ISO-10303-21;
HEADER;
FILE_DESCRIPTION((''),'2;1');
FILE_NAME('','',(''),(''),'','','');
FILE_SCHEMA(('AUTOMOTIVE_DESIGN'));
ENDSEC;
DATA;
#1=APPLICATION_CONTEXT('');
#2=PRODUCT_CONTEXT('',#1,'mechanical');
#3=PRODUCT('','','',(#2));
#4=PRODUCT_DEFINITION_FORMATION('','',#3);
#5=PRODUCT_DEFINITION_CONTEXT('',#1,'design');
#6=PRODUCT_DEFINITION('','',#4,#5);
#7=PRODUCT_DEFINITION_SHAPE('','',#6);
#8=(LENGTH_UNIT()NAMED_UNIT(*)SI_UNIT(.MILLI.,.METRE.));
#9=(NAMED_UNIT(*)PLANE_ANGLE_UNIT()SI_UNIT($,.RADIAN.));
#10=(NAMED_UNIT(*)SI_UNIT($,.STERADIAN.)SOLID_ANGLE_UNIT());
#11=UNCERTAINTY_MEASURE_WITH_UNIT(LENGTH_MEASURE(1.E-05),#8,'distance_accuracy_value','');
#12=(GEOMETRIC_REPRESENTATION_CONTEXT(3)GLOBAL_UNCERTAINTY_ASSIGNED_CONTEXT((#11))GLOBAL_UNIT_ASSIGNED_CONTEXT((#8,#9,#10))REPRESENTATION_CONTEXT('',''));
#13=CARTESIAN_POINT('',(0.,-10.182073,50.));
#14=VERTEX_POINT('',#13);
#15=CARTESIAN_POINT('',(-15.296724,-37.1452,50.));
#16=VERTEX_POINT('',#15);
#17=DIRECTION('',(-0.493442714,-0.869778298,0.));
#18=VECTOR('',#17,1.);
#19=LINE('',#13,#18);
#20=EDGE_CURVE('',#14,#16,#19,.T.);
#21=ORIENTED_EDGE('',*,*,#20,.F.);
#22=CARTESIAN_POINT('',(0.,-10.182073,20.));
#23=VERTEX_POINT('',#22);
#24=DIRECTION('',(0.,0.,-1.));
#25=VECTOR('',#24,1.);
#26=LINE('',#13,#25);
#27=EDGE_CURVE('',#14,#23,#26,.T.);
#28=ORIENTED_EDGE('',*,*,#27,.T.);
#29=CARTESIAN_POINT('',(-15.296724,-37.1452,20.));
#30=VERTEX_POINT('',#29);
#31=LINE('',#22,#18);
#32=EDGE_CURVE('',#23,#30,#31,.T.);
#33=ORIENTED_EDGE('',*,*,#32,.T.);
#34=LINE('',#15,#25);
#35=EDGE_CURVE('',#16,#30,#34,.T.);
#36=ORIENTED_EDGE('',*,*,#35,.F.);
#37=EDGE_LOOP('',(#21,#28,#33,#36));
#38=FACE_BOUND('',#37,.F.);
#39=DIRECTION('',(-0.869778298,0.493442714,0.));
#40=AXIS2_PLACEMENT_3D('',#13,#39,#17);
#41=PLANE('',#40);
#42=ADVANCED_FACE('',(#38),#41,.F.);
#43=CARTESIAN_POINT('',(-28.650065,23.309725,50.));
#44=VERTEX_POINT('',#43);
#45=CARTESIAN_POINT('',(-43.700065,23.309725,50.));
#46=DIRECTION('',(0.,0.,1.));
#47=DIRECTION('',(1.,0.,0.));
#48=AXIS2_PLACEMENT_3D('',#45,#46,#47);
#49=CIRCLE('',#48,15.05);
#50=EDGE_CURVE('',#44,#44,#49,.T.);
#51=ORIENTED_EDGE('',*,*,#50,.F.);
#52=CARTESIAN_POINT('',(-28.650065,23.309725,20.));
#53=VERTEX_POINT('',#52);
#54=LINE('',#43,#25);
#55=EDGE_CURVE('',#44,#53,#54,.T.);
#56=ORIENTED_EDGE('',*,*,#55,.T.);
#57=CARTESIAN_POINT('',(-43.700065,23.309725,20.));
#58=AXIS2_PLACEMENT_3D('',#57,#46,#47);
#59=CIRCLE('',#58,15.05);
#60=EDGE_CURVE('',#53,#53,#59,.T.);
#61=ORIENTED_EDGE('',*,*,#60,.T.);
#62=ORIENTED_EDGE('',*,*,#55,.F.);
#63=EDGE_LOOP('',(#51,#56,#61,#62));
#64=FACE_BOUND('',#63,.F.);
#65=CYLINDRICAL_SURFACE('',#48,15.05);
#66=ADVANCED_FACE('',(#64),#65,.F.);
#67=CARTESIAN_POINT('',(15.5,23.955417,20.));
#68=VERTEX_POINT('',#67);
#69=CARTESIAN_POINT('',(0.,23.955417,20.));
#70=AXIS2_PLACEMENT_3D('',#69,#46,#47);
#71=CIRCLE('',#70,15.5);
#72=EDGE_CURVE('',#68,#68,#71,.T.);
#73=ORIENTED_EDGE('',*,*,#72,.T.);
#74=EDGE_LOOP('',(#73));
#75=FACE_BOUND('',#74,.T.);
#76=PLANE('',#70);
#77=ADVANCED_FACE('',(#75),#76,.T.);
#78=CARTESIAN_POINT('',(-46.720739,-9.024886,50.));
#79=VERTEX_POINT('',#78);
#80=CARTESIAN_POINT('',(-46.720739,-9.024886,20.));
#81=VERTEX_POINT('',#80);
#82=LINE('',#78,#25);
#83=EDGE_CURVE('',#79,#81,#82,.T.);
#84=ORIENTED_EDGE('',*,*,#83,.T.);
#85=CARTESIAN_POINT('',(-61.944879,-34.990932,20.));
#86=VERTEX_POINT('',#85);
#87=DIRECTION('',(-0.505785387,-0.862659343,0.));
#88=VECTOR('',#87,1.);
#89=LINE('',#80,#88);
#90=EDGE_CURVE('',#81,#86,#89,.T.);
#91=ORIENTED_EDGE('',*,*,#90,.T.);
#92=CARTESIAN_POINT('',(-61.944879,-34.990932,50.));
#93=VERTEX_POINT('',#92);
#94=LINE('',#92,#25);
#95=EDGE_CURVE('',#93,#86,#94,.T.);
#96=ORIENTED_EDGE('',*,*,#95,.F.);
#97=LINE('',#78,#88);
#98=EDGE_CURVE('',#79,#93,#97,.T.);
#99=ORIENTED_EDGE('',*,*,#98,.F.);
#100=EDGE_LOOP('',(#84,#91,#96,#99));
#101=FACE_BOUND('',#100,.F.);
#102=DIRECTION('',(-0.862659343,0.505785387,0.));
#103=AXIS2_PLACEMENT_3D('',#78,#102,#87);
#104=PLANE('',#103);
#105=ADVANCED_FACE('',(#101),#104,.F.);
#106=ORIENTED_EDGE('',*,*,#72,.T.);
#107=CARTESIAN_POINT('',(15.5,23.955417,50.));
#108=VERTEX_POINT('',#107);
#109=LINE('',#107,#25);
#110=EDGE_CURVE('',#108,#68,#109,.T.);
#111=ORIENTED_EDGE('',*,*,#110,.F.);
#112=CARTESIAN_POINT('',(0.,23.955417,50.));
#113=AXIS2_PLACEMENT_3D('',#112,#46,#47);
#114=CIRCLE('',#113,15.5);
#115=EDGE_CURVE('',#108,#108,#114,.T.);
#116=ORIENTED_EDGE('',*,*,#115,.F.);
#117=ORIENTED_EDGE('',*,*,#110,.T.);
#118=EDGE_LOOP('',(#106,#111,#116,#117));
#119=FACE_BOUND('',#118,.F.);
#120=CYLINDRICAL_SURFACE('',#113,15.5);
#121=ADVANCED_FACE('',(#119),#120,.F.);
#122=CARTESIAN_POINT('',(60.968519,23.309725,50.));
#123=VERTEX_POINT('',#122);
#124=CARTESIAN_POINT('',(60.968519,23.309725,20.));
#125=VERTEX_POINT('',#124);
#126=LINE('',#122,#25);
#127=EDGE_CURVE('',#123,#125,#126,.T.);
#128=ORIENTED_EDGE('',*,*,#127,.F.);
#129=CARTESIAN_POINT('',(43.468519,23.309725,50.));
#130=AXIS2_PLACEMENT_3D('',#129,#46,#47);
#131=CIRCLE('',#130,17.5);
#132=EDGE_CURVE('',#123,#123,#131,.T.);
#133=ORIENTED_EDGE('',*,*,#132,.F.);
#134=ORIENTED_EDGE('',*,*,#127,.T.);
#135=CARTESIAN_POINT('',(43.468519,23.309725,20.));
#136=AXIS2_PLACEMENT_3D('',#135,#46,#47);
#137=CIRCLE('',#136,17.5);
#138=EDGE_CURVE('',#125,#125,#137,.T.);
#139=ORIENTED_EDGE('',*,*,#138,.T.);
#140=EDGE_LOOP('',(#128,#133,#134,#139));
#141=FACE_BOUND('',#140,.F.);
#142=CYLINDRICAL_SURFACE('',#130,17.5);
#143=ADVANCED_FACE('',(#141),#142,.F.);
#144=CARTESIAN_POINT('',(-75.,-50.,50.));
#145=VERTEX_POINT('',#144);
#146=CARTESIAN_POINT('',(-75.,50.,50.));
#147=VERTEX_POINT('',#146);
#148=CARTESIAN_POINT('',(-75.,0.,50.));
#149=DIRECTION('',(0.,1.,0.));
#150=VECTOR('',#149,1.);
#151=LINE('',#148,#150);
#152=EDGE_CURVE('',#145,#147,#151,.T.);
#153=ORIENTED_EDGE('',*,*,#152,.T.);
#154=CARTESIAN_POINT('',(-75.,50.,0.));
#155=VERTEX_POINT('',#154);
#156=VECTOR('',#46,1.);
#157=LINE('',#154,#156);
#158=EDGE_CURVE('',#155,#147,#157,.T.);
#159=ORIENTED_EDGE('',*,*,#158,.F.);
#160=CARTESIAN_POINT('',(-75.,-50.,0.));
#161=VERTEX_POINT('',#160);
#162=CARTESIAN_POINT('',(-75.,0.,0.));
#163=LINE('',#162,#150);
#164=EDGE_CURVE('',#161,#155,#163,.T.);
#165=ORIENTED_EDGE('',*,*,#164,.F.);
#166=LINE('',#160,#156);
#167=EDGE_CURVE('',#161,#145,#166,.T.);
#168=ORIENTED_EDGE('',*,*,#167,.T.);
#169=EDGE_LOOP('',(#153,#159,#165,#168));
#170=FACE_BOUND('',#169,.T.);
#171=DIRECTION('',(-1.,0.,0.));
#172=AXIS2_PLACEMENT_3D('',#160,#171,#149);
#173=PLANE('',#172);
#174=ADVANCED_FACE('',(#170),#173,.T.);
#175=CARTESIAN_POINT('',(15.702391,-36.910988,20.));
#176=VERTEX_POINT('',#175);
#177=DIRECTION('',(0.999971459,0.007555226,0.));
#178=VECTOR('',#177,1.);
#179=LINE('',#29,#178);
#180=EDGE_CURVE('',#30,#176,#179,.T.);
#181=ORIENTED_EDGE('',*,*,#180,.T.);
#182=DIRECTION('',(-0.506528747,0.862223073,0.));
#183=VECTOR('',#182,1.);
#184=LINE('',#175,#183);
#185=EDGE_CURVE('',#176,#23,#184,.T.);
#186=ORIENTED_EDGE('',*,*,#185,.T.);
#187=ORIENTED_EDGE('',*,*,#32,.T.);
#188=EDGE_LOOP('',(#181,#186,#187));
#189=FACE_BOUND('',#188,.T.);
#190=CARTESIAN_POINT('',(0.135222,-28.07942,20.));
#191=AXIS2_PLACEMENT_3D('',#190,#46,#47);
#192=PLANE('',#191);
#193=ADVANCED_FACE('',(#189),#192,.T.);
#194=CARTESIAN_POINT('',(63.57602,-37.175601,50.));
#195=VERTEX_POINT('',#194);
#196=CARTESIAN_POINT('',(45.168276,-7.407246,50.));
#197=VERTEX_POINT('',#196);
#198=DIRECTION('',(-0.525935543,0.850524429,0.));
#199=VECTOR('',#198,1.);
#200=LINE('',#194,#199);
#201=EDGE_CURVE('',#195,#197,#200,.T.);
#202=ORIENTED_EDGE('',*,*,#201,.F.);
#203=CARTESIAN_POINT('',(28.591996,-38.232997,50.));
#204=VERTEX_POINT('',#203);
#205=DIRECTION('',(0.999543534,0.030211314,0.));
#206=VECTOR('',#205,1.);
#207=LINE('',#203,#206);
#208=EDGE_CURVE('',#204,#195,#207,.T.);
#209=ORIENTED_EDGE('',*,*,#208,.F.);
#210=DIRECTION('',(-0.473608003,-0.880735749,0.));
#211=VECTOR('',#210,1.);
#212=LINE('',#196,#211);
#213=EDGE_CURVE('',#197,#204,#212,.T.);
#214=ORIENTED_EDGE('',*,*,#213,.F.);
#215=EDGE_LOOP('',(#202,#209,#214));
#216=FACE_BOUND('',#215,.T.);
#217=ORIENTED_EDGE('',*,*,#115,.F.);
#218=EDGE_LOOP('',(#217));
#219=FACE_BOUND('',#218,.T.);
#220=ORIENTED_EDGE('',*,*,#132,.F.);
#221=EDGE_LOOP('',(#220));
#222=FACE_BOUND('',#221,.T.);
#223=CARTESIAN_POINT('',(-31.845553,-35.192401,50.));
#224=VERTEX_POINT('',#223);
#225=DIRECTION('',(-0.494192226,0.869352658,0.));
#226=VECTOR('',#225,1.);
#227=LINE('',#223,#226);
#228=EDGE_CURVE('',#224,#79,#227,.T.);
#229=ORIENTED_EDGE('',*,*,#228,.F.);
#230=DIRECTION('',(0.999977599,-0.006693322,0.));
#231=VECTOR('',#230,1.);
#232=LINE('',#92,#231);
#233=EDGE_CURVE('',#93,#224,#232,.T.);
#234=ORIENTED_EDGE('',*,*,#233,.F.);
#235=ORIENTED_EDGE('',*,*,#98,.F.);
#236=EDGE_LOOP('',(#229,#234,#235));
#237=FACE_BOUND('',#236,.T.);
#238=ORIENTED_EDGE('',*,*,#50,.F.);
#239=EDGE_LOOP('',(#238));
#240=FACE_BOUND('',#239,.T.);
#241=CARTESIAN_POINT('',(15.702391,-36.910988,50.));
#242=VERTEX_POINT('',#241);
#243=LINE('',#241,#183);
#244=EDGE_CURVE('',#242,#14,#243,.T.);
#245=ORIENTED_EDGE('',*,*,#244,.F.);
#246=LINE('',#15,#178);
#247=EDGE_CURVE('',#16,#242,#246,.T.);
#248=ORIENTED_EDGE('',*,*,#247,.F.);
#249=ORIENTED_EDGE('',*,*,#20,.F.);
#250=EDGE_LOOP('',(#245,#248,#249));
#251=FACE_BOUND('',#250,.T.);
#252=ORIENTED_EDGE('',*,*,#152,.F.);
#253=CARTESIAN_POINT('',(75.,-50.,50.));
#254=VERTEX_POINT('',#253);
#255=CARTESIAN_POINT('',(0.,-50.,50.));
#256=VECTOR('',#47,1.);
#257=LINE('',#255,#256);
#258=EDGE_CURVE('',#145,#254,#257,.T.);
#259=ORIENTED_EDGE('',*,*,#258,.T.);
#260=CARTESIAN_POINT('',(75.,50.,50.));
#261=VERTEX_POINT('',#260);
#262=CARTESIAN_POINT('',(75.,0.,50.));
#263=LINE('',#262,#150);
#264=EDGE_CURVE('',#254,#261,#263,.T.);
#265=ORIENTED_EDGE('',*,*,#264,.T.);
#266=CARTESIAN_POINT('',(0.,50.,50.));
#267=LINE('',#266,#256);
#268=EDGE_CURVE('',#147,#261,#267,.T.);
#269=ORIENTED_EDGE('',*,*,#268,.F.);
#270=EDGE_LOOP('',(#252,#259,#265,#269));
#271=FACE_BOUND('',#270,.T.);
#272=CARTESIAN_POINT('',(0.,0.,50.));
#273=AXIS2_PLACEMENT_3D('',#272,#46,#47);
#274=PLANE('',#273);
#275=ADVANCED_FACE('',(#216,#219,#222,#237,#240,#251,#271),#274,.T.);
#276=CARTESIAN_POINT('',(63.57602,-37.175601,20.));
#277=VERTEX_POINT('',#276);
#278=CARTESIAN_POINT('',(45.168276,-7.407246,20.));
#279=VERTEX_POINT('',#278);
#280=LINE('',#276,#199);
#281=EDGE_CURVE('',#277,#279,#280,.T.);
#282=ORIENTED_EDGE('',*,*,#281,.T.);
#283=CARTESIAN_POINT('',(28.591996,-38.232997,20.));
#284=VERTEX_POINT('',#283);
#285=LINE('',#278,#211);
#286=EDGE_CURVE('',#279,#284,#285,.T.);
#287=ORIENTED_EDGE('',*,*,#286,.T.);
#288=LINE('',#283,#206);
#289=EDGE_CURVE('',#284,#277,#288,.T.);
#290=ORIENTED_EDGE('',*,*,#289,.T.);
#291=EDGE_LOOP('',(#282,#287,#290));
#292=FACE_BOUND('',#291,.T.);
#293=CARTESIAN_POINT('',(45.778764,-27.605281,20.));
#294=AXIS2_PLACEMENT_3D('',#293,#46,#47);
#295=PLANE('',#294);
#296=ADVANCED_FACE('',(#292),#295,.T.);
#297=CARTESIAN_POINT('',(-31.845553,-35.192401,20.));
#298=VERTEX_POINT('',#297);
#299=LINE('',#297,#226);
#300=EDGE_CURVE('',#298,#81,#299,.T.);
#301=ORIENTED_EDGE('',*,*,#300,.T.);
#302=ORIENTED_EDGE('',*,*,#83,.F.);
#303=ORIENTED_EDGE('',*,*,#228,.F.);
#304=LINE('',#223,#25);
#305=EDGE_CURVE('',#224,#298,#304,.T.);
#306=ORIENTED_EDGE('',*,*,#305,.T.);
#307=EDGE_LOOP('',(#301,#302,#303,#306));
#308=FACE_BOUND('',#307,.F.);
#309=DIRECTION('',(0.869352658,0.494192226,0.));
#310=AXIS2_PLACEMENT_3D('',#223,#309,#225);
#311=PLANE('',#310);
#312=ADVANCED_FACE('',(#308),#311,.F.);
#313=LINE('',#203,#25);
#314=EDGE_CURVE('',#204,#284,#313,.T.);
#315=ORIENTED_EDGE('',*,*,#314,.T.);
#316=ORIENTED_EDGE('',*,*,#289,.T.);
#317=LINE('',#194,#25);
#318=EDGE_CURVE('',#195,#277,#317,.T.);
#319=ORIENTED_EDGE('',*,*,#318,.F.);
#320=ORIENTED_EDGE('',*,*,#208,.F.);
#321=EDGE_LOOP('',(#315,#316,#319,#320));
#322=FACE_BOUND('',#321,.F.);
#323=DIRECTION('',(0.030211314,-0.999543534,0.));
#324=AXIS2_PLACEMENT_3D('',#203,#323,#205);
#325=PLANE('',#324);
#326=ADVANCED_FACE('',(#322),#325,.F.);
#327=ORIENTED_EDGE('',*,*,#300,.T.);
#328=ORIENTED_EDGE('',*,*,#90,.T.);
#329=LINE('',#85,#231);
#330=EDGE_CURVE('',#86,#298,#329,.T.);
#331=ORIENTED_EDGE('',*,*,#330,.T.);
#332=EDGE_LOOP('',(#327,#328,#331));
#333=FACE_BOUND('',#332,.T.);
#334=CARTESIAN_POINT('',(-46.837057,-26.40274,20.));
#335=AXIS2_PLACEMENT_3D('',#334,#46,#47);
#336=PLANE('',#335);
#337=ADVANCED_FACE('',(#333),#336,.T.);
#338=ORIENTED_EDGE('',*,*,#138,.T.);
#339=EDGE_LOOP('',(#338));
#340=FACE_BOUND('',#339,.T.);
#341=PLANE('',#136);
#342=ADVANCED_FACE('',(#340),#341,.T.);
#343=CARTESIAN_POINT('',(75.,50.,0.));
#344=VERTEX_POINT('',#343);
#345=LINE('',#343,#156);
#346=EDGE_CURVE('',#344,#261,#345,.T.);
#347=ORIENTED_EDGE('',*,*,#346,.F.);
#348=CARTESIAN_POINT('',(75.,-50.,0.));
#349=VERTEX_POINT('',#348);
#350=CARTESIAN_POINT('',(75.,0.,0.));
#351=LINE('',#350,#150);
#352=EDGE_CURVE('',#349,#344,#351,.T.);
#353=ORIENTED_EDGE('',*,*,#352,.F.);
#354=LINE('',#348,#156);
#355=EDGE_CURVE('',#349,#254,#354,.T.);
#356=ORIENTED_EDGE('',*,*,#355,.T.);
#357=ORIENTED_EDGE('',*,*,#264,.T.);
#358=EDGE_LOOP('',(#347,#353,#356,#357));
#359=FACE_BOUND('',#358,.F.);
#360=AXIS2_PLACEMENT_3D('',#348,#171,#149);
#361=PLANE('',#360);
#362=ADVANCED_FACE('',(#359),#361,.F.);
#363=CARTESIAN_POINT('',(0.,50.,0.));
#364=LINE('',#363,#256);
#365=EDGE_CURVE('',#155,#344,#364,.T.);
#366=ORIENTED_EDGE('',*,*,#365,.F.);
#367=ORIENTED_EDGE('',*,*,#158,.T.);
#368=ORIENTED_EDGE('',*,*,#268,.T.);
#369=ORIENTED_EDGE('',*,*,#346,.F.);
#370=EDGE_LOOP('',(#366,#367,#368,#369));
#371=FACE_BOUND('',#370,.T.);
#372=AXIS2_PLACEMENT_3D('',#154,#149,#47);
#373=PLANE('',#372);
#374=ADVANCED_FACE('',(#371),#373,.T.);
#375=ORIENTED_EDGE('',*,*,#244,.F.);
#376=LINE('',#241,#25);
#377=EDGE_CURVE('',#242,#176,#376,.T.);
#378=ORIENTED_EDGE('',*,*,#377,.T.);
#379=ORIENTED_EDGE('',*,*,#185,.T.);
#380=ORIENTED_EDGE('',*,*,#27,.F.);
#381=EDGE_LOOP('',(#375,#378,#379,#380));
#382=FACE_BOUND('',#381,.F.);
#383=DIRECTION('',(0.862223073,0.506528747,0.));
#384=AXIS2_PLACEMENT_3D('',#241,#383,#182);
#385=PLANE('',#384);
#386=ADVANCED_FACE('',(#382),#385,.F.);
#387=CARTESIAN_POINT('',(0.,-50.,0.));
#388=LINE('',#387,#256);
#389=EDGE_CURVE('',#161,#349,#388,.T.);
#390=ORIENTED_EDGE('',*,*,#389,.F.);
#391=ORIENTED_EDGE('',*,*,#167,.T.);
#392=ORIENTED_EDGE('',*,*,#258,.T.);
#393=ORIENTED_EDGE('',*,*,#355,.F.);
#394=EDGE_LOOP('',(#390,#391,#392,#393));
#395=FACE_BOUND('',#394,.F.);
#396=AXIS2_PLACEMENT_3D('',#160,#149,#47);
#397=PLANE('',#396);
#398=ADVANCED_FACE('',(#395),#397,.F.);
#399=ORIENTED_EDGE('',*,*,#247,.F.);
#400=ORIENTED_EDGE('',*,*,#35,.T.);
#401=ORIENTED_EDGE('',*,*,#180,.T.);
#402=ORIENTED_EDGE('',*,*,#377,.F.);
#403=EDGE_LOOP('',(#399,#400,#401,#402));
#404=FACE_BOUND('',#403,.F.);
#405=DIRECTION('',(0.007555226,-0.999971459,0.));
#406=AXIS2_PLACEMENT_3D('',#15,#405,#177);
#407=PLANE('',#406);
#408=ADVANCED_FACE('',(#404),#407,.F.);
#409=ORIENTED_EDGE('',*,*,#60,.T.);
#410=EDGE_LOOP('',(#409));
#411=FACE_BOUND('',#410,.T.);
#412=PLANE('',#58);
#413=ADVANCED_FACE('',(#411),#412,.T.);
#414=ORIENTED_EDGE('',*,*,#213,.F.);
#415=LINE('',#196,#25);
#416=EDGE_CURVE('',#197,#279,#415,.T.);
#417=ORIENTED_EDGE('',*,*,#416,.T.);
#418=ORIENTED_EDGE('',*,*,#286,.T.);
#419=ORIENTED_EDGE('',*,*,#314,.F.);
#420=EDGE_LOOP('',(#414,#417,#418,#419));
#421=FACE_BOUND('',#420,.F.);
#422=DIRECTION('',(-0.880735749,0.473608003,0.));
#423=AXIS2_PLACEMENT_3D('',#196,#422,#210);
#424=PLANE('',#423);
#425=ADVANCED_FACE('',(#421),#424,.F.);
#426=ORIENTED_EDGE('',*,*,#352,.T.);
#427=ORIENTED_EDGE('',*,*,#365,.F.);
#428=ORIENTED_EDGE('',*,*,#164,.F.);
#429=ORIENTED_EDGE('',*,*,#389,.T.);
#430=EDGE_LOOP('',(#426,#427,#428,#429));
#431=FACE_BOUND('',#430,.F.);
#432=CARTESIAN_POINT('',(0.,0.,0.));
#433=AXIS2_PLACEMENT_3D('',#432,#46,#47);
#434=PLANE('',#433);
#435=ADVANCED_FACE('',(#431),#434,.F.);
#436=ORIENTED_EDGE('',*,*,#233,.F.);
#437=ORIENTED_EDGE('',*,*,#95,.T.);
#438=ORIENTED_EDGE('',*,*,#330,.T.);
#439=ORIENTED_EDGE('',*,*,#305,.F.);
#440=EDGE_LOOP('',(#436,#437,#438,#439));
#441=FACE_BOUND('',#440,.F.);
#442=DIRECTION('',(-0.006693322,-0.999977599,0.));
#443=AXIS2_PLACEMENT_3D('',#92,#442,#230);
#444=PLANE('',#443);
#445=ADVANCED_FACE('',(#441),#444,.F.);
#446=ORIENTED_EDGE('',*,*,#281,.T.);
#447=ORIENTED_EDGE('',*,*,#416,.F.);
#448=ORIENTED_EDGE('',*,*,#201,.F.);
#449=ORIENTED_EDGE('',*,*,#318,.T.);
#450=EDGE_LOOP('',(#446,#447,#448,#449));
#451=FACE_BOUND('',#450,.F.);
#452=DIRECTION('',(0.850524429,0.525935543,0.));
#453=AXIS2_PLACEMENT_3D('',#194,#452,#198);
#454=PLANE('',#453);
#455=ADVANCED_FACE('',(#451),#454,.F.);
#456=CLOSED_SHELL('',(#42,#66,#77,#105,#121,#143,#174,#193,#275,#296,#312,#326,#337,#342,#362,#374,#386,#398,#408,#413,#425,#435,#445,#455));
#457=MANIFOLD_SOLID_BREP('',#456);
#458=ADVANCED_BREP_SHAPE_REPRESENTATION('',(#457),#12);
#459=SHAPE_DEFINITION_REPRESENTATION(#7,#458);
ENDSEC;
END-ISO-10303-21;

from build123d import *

# Parameters (mm, degrees)
F0_W     = 150
F0_H     = 100
F1_DEPTH = 50
F2_R     = 15.05
F2_R_2   = 15.5
F2_R_3   = 17.5
F3_DEPTH = 30


with BuildPart() as f1:
    # F0 (on Top) → F1 (new body)
    with BuildSketch(Plane.XY):
        Rectangle(F0_W, F0_H)
    extrude(amount=F1_DEPTH)

    # F2 (on face) → F3 (cut)
    with BuildSketch(Plane.XY.offset(50)):
        with Locations((-43.700065, 23.309725)):
            Circle(F2_R)
        with Locations((0, 23.955417)):
            Circle(F2_R_2)
        with Locations((43.468519, 23.309725)):
            Circle(F2_R_3)
        Polygon((-61.944879, -34.990932), (-31.845553, -35.192401), (-46.720739, -9.024886), align=None)
        Polygon((-15.296724, -37.1452), (15.702391, -36.910988), (0, -10.182073), align=None)
        Polygon((28.591996, -38.232997), (63.57602, -37.175601), (45.168276, -7.407246), align=None)
    extrude(amount=-F3_DEPTH, mode=Mode.SUBTRACT)


solid = f1.part
